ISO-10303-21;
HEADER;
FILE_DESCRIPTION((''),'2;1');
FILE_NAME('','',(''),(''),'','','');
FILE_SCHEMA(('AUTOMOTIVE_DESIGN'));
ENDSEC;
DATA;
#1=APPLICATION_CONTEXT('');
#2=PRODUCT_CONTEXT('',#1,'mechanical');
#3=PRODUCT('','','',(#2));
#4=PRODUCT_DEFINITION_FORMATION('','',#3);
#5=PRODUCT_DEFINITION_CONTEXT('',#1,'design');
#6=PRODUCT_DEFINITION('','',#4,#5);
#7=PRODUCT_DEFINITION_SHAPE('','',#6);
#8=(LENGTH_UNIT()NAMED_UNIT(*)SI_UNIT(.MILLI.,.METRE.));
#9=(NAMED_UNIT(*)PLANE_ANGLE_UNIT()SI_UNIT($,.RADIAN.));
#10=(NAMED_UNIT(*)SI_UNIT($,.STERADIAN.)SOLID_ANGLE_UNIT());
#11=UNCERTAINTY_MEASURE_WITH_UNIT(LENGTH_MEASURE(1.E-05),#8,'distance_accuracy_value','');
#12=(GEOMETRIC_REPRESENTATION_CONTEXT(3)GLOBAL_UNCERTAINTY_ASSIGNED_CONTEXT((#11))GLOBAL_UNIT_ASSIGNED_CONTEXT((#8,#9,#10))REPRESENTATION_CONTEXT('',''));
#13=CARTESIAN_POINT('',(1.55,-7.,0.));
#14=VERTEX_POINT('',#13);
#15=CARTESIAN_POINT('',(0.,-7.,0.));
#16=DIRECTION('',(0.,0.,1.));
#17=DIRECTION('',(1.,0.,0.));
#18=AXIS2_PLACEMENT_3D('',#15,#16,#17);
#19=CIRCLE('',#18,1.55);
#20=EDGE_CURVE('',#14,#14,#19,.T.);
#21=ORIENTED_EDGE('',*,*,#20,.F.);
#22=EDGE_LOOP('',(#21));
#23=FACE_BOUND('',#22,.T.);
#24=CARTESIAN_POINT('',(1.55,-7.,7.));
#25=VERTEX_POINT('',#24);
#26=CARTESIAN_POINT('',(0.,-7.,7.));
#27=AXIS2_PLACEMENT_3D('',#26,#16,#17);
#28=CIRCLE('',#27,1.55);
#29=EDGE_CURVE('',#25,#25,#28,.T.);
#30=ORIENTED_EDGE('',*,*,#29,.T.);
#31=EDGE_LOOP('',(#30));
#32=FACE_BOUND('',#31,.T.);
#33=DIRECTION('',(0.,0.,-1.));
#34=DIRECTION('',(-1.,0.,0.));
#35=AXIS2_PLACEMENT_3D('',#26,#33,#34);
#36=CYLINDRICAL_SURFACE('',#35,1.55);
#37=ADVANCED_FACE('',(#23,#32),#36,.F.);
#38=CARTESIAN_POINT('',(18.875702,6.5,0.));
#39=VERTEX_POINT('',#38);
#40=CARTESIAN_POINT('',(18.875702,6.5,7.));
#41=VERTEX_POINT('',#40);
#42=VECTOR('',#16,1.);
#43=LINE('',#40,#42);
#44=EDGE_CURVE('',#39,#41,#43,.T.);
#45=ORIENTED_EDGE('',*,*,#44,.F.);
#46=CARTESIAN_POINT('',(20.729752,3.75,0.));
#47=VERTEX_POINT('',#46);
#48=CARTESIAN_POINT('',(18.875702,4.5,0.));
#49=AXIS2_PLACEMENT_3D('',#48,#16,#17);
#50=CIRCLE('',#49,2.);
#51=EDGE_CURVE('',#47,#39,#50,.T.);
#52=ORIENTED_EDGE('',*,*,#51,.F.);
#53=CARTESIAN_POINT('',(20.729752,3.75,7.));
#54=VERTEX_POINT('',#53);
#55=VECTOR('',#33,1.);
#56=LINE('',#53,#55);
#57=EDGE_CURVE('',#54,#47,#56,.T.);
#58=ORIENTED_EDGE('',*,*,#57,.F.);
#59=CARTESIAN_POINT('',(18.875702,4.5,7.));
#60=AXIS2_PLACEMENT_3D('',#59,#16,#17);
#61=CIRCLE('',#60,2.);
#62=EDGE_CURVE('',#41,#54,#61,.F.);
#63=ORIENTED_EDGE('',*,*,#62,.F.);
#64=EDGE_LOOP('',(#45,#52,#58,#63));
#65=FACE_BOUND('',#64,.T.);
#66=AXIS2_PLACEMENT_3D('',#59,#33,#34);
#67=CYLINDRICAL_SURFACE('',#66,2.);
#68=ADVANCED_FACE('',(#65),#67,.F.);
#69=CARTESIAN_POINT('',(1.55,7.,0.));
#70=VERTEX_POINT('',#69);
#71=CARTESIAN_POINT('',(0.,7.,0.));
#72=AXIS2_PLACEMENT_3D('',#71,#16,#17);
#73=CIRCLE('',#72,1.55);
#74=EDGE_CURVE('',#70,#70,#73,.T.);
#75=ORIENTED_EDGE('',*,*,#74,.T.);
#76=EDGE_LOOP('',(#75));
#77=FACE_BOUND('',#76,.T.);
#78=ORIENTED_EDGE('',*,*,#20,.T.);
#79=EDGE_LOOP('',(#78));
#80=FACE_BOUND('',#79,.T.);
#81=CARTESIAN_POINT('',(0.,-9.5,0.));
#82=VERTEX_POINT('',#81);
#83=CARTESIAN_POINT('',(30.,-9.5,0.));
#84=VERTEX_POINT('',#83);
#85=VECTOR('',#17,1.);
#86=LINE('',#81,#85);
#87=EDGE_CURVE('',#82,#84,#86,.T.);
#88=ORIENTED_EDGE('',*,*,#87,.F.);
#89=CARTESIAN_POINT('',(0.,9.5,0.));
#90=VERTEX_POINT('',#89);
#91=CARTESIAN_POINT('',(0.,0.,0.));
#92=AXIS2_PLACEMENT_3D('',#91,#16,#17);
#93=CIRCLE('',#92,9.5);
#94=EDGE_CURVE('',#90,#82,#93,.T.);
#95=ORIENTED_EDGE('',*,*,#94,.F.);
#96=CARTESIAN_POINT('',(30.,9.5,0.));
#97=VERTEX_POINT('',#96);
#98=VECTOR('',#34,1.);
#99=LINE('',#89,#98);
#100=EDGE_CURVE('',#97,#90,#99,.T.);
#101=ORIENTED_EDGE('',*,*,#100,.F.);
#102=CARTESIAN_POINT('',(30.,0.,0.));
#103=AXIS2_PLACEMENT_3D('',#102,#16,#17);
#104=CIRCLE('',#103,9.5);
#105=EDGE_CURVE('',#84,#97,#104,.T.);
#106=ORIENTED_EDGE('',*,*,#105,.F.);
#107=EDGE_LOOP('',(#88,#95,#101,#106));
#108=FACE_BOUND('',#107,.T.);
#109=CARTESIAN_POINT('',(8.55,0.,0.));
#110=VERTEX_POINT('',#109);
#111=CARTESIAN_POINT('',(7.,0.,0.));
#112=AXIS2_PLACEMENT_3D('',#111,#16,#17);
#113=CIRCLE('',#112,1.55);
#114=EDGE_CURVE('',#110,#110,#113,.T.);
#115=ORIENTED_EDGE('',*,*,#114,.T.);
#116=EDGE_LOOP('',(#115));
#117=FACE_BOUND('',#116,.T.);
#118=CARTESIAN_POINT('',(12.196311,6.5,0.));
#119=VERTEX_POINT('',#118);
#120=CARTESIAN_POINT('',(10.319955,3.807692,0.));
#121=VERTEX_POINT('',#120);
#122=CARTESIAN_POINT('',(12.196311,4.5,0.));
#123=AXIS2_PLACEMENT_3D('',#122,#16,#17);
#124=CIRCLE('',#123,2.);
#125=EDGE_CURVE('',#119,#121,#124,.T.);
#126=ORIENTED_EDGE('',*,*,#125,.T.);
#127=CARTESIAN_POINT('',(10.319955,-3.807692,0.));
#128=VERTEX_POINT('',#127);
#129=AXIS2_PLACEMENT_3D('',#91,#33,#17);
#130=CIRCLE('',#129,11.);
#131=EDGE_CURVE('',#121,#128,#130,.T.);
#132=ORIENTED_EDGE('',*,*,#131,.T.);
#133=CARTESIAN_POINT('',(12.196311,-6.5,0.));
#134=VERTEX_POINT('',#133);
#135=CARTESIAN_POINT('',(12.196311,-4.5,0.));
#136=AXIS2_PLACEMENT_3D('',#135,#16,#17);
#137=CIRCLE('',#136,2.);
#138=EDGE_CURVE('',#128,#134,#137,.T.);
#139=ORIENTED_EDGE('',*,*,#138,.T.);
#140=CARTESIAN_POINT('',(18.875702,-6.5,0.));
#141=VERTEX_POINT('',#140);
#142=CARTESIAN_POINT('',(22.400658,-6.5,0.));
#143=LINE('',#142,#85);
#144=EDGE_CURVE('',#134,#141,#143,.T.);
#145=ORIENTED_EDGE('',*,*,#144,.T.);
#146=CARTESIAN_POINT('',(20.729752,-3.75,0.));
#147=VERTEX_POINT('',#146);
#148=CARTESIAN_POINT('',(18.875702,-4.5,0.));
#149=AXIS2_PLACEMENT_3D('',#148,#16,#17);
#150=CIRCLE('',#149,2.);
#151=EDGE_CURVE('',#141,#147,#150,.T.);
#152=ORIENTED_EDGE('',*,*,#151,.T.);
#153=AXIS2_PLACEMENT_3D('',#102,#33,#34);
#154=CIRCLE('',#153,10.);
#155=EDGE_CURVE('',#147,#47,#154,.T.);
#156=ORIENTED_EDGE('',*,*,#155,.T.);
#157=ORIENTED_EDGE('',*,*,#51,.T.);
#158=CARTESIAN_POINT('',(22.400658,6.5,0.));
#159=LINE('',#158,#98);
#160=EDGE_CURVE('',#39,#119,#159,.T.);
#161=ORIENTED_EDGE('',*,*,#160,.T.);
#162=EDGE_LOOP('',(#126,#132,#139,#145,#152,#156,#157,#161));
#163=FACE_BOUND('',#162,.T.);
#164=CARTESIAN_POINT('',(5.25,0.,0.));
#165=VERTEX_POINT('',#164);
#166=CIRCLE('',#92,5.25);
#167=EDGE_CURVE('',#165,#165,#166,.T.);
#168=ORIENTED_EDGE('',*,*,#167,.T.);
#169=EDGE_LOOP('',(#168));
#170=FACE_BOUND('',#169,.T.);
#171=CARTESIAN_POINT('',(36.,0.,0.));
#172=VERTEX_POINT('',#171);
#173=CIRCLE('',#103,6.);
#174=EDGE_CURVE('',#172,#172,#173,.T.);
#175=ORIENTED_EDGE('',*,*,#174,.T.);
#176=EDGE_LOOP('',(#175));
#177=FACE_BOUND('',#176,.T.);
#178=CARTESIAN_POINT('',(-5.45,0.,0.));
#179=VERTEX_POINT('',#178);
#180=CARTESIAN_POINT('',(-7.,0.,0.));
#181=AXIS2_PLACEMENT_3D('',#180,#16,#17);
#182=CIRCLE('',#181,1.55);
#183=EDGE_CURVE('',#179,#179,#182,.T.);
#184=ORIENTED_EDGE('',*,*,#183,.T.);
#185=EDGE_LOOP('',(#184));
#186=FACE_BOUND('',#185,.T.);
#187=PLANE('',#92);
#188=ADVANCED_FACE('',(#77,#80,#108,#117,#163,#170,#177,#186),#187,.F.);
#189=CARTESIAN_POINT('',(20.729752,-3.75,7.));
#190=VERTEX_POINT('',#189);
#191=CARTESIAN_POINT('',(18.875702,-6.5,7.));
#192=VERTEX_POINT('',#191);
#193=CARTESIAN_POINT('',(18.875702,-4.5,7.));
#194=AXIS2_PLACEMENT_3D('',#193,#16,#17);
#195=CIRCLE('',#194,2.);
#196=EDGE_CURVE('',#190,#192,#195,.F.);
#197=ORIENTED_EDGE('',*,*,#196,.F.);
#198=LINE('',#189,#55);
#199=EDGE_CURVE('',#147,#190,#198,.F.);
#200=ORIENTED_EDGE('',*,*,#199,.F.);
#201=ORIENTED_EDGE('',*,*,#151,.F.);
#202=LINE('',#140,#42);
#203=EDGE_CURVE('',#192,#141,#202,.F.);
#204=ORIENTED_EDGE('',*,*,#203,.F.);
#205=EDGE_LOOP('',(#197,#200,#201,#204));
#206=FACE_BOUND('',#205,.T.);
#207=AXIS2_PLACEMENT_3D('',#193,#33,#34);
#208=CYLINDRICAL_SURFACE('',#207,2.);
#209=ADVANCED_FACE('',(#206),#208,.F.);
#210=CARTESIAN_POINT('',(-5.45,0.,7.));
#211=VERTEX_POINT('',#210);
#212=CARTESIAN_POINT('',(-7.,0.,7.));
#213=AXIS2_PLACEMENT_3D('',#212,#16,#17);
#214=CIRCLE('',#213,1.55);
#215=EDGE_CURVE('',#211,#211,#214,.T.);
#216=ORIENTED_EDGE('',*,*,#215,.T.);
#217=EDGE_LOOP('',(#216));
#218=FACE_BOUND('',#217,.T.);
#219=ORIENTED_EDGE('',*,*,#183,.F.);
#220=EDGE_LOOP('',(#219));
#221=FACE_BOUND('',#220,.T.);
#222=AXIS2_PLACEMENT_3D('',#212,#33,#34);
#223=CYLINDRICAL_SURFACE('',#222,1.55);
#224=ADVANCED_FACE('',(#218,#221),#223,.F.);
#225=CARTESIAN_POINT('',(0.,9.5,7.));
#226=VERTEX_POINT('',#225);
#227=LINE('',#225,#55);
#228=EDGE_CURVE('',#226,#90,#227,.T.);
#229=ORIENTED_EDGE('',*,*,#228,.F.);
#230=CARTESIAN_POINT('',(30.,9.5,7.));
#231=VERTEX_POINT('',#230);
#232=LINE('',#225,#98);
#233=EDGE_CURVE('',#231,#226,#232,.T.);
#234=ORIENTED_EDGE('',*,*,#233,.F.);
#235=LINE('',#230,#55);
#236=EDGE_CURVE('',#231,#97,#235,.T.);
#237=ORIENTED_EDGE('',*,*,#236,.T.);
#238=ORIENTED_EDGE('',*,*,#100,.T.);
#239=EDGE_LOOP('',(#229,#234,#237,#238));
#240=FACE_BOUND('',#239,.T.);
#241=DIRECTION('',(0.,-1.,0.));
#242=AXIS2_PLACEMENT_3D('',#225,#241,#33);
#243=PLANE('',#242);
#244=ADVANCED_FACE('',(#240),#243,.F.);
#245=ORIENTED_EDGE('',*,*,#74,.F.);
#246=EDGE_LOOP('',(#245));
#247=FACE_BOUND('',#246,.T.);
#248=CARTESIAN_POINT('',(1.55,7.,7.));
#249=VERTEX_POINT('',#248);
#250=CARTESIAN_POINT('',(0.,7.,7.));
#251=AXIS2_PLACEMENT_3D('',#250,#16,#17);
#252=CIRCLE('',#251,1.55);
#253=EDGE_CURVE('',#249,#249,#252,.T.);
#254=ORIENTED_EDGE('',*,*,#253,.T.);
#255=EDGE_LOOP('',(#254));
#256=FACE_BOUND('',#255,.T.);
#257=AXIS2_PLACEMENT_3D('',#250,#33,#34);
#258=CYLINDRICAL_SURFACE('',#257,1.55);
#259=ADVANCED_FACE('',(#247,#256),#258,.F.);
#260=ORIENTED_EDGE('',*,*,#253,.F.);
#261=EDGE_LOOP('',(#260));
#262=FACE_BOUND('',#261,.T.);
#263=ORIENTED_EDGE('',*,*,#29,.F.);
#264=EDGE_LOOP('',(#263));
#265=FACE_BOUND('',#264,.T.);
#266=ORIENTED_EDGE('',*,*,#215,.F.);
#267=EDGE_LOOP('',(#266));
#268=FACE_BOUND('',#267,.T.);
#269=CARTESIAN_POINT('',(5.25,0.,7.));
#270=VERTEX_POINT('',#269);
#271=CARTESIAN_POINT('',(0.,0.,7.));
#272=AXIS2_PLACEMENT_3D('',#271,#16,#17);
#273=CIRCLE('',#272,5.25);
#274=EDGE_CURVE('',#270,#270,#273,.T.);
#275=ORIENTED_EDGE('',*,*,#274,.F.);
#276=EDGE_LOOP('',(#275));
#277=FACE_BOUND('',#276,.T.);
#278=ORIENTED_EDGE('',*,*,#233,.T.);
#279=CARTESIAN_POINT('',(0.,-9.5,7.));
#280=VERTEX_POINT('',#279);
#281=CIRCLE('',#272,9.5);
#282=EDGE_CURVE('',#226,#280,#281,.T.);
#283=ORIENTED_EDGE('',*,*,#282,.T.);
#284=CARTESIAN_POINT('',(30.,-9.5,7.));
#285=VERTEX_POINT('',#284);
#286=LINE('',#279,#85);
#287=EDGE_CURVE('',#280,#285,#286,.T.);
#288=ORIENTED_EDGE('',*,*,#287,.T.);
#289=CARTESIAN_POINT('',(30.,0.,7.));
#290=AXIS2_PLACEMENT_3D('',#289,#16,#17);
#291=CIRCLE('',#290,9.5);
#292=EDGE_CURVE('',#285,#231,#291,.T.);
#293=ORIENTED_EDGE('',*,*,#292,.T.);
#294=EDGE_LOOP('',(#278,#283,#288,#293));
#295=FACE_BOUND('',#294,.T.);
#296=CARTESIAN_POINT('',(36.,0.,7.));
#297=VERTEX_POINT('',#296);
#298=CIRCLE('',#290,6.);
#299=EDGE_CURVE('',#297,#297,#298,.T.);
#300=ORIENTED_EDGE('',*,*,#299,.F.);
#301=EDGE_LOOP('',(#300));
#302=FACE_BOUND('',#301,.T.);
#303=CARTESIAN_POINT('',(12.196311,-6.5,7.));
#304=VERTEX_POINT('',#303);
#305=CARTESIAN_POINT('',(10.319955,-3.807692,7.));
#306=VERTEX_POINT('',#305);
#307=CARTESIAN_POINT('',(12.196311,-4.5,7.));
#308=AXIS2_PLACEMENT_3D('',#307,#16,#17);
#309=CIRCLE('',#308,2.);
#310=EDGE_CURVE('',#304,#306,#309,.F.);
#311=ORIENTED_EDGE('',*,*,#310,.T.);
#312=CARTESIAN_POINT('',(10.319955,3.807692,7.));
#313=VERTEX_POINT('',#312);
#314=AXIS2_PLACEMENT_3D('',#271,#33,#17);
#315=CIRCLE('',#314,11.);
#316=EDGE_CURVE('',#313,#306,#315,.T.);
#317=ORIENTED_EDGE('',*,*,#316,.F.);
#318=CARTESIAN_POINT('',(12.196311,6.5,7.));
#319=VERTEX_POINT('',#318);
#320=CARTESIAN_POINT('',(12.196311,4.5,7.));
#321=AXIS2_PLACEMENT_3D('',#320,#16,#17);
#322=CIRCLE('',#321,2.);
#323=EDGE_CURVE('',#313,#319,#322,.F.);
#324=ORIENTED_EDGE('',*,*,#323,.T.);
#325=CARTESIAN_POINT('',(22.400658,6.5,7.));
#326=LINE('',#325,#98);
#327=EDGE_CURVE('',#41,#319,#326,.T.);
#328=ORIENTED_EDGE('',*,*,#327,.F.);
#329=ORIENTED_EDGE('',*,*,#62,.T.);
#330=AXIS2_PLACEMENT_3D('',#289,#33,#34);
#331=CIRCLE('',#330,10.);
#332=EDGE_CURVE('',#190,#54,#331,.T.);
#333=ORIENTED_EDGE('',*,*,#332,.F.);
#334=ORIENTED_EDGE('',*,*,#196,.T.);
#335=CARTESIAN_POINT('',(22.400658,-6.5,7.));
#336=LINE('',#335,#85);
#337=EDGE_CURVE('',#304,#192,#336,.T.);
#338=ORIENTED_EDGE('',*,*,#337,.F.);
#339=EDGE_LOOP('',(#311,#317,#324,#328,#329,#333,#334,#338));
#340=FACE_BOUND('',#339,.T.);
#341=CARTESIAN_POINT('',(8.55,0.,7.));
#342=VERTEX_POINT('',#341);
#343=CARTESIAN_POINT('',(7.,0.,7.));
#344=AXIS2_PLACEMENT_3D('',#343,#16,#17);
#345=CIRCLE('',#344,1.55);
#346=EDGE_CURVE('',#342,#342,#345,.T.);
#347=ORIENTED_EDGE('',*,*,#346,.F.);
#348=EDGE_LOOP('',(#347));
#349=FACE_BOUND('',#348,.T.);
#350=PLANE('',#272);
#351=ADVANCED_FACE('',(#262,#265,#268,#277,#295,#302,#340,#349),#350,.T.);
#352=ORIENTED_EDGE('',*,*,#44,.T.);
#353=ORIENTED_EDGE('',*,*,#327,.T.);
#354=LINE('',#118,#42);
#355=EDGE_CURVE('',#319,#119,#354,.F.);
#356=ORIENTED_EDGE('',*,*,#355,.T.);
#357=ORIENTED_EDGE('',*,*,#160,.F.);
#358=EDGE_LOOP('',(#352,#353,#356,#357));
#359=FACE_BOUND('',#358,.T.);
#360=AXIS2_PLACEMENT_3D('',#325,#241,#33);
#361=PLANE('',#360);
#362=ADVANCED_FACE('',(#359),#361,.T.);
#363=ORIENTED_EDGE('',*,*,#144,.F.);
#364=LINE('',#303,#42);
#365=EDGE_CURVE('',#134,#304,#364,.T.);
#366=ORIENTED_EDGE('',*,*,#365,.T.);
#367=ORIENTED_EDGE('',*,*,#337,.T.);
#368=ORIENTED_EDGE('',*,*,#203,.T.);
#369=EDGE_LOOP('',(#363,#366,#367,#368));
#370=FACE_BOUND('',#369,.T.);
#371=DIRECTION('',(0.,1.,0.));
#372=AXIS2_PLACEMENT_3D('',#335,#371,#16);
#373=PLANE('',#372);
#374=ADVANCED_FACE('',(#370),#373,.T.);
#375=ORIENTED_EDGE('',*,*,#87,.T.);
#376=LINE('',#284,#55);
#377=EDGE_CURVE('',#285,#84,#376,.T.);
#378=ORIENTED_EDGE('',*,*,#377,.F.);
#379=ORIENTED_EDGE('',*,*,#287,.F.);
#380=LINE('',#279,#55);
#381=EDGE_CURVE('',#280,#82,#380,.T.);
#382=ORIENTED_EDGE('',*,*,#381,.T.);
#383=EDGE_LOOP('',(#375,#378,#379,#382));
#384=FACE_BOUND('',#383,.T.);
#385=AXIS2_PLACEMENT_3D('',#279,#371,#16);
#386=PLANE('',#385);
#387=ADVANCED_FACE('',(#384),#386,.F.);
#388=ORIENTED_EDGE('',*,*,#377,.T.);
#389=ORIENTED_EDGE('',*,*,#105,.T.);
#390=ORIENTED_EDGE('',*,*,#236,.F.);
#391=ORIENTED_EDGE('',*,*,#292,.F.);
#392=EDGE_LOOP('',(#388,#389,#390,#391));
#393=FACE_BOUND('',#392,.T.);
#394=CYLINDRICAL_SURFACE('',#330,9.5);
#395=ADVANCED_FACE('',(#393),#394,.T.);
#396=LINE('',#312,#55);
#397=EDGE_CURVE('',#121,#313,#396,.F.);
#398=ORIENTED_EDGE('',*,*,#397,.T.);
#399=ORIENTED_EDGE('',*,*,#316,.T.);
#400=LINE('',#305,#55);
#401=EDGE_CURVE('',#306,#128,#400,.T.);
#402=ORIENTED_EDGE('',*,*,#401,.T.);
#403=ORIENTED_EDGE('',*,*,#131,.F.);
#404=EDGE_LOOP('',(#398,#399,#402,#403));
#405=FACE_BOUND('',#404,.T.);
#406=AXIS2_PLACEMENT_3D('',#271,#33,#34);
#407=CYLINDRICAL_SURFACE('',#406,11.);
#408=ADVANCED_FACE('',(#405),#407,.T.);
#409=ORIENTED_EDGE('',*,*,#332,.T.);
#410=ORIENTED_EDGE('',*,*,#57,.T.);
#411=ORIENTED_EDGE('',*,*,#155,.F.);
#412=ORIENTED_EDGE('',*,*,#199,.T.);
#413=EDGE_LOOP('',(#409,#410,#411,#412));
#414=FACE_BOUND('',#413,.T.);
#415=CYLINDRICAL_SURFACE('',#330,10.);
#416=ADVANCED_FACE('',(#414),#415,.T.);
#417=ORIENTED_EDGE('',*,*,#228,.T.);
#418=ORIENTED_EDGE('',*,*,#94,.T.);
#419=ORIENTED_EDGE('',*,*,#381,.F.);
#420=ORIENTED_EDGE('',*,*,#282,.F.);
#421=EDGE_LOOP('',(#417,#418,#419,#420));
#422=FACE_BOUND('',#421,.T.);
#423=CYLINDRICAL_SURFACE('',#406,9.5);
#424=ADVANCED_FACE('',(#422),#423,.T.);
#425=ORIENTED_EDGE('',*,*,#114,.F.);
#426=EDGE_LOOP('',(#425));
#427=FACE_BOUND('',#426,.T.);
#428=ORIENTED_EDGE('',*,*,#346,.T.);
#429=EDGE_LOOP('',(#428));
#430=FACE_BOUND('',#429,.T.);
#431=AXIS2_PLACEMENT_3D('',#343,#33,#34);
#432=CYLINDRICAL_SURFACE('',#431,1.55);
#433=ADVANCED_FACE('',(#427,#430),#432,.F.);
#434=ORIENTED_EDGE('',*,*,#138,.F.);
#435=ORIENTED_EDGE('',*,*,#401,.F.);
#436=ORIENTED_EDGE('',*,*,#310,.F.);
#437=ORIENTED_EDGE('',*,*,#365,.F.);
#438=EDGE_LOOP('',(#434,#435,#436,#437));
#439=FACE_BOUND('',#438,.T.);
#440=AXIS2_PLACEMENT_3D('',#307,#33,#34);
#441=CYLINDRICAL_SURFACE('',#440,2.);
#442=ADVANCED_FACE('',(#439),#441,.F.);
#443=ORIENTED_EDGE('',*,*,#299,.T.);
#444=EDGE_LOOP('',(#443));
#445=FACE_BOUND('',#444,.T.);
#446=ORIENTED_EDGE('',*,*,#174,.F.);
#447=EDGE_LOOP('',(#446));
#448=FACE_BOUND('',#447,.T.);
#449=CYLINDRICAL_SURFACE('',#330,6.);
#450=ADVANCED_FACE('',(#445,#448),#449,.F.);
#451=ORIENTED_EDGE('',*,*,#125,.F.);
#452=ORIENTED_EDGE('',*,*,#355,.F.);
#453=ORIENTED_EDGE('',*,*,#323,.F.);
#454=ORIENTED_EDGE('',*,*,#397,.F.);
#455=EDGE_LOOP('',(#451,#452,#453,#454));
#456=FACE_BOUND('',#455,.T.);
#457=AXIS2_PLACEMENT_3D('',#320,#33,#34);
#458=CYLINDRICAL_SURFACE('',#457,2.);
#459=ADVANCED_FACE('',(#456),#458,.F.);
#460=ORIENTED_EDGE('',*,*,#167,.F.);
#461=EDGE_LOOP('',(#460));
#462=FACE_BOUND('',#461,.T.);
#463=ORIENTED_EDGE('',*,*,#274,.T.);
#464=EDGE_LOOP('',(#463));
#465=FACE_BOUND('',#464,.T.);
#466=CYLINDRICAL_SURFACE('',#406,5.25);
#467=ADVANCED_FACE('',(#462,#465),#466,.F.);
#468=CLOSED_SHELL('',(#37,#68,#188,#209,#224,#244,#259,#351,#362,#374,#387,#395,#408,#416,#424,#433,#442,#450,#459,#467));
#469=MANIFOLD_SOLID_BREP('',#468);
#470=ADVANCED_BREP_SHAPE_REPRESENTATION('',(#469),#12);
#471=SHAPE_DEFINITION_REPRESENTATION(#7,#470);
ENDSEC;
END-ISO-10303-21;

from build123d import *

# Parameters (mm, degrees)
SKETCH_1_R      = 5.25
SKETCH_1_R_2    = 6
SKETCH_1_R_3    = 1.55
EXTRUDE_1_DEPTH = 7
FILLET_1_R      = 2


with BuildPart() as part:
    # 草图1 → 凸台-拉伸1 (new body)
    with BuildSketch(Plane.XY):
        with BuildLine():
            Line((0, 9.5), (30, 9.5))
            ThreePointArc((30, 9.5), (39.5, 0), (30, -9.5))
            Line((30, -9.5), (0, -9.5))
            ThreePointArc((0, -9.5), (-9.5, 0), (0, 9.5))
        make_face()
        Circle(SKETCH_1_R, mode=Mode.SUBTRACT)
        with Locations((30, 0)):
            Circle(SKETCH_1_R_2, mode=Mode.SUBTRACT)
        with Locations((0, -7)):
            Circle(SKETCH_1_R_3, mode=Mode.SUBTRACT)
        with Locations((-7, 0)):
            Circle(SKETCH_1_R_3, mode=Mode.SUBTRACT)
        with Locations((0, 7)):
            Circle(SKETCH_1_R_3, mode=Mode.SUBTRACT)
        with Locations((7, 0)):
            Circle(SKETCH_1_R_3, mode=Mode.SUBTRACT)
        with BuildLine():
            Line((22.400657923, -6.5), (8.874119675, -6.5))
            ThreePointArc((8.874119675, -6.5), (11, 0), (8.874119675, 6.5))
            Line((8.874119675, 6.5), (22.400657923, 6.5))
            ThreePointArc((22.400657923, 6.5), (20, 0), (22.400657923, -6.5))
        make_face(mode=Mode.SUBTRACT)
    extrude(amount=EXTRUDE_1_DEPTH)

    # 圆角1
    fillet_1_edges = [part.edges().sort_by_distance(p)[0] for p in [
        (22.400657923, -6.5, 3.5),
        (22.400657923, 6.5, 3.5),
        (8.874119675, 6.5, 3.5),
        (8.874119675, -6.5, 3.5),
    ]]
    fillet(fillet_1_edges, radius=FILLET_1_R)


solid = part.part
